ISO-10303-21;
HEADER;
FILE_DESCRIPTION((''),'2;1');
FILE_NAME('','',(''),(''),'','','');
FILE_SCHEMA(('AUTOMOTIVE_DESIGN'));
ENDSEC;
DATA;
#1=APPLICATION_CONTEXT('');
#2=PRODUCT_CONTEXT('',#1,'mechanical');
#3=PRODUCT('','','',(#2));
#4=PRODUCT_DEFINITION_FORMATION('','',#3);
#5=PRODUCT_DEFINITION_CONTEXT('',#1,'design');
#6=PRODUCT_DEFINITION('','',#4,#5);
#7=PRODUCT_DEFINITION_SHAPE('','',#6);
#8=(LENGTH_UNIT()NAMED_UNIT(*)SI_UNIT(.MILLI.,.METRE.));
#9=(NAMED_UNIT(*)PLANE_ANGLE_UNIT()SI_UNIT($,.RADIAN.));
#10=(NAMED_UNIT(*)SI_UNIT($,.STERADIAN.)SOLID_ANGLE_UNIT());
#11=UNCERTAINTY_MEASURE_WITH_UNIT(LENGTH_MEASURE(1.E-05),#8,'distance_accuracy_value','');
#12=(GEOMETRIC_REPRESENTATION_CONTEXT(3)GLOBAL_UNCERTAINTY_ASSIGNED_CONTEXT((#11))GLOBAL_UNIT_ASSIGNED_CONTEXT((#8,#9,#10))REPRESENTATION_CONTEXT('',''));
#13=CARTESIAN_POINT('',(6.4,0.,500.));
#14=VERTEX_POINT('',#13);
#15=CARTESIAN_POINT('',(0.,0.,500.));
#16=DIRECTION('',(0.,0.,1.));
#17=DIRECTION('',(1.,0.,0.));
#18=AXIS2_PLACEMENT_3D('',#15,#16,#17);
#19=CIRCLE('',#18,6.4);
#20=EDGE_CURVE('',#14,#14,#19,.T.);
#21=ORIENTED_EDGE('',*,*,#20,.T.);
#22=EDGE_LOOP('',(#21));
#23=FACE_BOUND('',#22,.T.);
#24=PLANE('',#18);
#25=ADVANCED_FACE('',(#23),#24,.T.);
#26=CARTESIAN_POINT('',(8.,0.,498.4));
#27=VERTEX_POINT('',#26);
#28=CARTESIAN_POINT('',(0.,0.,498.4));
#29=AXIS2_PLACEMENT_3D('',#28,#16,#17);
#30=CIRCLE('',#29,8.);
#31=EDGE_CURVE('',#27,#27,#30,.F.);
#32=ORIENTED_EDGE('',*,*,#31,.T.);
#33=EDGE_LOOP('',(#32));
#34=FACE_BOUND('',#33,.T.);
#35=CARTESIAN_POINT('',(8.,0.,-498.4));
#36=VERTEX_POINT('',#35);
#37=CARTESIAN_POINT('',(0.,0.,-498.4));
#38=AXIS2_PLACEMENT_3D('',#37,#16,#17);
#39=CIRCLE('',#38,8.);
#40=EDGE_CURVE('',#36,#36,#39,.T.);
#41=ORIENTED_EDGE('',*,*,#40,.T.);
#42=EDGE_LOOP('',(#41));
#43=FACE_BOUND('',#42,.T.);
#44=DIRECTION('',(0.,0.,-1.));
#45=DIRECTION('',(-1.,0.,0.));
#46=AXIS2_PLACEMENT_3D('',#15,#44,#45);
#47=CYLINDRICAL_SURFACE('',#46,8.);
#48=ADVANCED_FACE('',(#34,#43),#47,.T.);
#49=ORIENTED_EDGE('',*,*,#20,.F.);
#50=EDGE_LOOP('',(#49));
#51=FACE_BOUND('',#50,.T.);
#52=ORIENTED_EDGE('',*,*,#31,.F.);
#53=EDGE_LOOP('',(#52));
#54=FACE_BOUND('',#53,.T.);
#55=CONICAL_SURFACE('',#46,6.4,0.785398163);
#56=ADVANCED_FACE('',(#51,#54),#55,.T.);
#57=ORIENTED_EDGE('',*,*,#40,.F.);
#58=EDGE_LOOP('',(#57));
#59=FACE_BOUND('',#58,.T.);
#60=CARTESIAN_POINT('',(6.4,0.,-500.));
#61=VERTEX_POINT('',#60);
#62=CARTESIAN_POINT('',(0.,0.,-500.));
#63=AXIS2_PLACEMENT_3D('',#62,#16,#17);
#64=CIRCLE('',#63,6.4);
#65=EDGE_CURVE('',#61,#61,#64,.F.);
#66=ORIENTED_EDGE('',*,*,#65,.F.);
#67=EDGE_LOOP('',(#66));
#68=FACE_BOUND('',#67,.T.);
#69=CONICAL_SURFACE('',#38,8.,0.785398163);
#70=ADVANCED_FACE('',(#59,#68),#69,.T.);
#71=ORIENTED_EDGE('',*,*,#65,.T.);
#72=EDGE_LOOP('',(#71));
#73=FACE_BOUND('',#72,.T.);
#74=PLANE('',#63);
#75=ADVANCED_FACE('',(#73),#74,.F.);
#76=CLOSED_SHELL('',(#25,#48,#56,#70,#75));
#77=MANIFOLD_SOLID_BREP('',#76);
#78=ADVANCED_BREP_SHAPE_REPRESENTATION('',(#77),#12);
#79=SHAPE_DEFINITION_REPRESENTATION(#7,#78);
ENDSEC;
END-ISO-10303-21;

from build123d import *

# Parameters (mm, degrees)
SKETCH1_R      = 8
EXTRUDE1_DEPTH = 500
CHAMFER1_SIZE  = 1.6


with BuildPart() as part:
    # Sketch1 → Extrude1 (new body, symmetric)
    with BuildSketch(Plane.XY):
        Circle(SKETCH1_R)
    extrude(amount=EXTRUDE1_DEPTH, both=True)

    # Chamfer1
    chamfer1_edges = [part.edges().sort_by_distance(p)[0] for p in [
        (-8, 0, -500),
        (-8, 0, 500),
    ]]
    chamfer(chamfer1_edges, length=CHAMFER1_SIZE)


solid = part.part
